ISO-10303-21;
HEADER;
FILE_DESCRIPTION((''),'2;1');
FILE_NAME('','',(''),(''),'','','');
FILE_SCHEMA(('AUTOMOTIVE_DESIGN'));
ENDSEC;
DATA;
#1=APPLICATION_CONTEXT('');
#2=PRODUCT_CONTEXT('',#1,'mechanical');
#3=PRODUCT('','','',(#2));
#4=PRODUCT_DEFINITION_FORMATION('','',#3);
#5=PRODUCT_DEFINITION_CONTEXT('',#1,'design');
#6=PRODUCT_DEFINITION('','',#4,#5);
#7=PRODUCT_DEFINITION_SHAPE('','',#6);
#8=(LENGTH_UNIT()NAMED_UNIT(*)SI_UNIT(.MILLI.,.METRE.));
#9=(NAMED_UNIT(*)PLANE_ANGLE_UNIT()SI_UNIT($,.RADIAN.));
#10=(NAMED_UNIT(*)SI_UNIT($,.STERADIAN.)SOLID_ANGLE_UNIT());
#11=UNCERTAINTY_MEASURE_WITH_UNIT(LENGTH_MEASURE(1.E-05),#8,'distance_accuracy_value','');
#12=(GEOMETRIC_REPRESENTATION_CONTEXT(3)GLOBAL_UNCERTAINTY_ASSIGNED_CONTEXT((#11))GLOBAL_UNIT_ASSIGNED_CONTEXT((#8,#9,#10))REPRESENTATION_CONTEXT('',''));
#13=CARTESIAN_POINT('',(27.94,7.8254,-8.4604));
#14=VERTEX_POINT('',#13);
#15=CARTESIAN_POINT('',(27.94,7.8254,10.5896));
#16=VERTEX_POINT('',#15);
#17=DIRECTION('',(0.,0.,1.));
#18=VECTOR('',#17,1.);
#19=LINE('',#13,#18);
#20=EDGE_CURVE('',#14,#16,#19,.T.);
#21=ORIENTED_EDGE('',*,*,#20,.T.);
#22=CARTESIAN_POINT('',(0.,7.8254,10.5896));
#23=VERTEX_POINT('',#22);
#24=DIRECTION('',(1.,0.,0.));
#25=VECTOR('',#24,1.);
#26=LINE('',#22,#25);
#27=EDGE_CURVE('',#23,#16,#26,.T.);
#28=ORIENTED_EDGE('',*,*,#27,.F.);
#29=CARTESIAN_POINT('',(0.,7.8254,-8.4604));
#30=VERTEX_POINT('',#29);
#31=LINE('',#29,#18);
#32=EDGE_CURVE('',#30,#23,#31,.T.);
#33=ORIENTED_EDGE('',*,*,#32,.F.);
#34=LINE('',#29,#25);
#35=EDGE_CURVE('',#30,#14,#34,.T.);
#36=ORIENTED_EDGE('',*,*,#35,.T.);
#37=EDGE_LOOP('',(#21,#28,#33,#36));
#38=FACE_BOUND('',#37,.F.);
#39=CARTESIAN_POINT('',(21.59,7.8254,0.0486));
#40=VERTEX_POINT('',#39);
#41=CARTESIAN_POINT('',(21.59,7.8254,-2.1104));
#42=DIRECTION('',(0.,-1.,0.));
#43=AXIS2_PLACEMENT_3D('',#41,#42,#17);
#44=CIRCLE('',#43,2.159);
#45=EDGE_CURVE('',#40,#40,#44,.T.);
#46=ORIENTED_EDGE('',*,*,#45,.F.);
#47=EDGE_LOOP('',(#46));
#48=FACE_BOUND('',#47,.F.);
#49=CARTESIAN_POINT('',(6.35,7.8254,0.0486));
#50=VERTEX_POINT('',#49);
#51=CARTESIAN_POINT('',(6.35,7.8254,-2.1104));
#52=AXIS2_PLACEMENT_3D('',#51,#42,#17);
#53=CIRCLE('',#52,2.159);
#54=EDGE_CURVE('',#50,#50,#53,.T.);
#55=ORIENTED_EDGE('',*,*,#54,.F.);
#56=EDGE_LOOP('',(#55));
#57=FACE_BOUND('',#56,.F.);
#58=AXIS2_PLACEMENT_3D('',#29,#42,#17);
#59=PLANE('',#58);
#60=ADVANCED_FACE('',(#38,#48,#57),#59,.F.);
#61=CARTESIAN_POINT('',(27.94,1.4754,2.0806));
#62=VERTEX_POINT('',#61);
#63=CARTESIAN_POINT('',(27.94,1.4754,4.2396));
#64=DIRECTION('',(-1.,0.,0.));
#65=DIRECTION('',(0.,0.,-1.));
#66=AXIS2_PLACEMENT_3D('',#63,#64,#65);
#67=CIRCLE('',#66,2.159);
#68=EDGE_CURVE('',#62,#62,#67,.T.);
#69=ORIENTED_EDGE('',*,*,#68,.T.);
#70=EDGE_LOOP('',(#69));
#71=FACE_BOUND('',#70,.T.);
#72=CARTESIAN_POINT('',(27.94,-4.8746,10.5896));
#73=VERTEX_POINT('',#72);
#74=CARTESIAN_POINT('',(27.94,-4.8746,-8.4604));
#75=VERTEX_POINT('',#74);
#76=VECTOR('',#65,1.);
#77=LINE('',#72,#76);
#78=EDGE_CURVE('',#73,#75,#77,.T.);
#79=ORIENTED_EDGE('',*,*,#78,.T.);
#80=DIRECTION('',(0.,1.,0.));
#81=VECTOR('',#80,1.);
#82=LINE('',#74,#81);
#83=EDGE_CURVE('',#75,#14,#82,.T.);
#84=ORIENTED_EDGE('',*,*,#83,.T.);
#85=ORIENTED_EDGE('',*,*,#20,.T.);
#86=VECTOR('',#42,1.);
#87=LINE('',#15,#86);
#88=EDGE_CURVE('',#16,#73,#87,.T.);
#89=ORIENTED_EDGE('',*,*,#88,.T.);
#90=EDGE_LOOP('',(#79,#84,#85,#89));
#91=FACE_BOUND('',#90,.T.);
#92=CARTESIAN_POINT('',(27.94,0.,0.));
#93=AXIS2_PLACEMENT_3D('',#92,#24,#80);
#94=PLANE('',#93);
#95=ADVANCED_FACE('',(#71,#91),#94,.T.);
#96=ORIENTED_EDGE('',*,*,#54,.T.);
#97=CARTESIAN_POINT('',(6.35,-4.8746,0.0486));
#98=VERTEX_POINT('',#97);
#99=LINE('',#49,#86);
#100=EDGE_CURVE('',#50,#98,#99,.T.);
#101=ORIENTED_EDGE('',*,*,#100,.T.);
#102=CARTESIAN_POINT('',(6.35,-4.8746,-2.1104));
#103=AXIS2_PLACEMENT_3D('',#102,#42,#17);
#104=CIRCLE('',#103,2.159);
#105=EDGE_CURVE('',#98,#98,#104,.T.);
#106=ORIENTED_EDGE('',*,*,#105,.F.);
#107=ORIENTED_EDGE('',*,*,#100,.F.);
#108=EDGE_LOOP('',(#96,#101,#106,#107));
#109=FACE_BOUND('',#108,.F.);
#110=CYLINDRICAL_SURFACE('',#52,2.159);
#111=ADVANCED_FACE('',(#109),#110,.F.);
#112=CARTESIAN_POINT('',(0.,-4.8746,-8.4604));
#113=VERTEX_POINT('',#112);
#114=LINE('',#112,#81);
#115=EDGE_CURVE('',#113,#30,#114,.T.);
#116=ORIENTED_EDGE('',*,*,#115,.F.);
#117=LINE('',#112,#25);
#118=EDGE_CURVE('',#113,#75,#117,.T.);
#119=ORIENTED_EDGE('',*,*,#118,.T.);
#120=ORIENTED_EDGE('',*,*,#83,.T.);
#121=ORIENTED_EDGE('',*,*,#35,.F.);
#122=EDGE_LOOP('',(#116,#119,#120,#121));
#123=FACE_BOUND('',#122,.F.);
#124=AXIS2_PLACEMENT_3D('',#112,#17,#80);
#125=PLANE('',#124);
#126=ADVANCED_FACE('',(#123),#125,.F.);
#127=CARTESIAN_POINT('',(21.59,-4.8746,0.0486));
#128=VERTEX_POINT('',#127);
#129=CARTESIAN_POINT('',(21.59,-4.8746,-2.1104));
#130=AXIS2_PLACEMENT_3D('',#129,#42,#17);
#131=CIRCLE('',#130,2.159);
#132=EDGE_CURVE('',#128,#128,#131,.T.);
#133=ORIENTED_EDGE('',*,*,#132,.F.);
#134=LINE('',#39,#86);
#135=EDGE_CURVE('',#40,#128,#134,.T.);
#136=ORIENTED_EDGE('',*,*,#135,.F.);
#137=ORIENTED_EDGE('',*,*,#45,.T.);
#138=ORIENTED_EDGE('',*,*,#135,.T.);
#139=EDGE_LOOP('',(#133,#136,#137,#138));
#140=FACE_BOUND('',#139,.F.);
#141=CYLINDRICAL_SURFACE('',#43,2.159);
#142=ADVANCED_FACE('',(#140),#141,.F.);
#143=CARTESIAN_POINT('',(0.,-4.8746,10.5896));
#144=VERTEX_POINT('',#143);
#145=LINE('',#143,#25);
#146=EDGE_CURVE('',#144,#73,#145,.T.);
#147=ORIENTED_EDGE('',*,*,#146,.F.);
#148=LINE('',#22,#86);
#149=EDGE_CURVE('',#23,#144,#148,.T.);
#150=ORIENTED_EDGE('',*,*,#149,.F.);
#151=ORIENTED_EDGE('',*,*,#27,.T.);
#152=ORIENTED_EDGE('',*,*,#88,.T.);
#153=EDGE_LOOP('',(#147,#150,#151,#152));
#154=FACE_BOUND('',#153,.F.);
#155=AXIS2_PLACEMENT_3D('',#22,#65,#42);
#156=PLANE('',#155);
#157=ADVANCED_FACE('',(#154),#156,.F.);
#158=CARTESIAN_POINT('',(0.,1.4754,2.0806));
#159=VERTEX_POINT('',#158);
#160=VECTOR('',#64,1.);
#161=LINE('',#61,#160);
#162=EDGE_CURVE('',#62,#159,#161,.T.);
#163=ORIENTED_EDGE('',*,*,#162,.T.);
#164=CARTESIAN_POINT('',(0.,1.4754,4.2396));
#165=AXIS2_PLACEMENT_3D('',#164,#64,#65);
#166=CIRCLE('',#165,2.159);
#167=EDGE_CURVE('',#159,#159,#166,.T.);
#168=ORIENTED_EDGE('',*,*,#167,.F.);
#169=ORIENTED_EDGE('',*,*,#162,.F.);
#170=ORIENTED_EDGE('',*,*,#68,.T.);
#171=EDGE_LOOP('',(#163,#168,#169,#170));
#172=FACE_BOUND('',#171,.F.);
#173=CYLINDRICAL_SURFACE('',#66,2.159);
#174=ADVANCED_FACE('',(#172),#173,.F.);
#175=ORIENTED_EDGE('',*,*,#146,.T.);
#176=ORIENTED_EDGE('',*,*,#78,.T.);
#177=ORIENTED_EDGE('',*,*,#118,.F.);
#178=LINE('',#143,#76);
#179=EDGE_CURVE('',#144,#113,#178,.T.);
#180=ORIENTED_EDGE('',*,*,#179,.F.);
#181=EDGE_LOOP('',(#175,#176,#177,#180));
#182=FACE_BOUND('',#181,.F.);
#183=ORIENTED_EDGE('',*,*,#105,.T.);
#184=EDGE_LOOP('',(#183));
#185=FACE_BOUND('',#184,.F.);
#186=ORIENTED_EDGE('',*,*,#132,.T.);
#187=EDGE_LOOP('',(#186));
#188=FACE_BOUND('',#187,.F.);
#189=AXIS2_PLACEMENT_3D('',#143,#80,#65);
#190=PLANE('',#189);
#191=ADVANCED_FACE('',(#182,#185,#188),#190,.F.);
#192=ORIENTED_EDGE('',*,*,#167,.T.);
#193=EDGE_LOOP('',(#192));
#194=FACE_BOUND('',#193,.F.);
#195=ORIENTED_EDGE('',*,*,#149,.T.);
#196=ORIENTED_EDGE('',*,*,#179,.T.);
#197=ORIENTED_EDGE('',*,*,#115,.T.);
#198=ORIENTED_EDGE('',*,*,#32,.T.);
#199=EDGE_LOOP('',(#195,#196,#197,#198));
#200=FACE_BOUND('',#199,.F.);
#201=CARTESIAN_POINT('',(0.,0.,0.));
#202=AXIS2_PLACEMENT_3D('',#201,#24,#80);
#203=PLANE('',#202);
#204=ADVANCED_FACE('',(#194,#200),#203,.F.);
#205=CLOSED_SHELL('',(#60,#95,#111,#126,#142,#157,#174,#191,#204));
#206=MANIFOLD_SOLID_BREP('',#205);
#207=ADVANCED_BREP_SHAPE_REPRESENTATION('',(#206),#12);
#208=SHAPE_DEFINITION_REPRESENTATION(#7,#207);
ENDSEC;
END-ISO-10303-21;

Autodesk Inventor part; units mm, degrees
ref_plane "YZ Plane" through (0, 0, 0) normal (1, 0, 0) x (0, 1, 0)
ref_plane "XZ Plane" through (0, 0, 0) normal (0, 1, 0) x (-1, 0, 0)
ref_plane "XY Plane" through (0, 0, 0) normal (0, 0, 1) x (1, 0, 0)
sketch "Sketch1" plane through (0, 0, 0) normal (1, 0, 0) x (0, 1, 0)
  line L0 (7.8254, 10.5896) -> (-4.8746, 10.5896)
  line L1 (-4.8746, 10.5896) -> (-4.8746, -8.4604)
  line L2 (-4.8746, -8.4604) -> (7.8254, -8.4604)
  line L3 (7.8254, -8.4604) -> (7.8254, 10.5896)
  point P0 (0, 0)
  dimension "d0" = 19.05
  dimension "d1" = 12.7
extrude "Extrusion1" add sketch "Sketch1" along normal blind 27.94
sketch "Sketch2" plane through (27.94, 0, 0) normal (1, 0, 0) x (0, 0, -1)
  line L0 (-10.5896, 7.8254) -> (-10.5896, -4.8746) projected
  line L1 (8.4604, 7.8254) -> (-10.5896, 7.8254) projected
  point P0 (0, 0)
  point P1 (-4.2396, 1.4754)
  dimension "d4" = 6.35
  dimension "d5" = 6.35
hole "Hole1" at (27.94, 1.4754, 4.2396) direction (-1, 0, 0) diameter 4.318 end through all
sketch "Sketch3" plane through (0, 7.8254, 10.5896) normal (0, 1, 0) x (1, 0, 0)
  line L0 (27.94, 19.05) -> (27.94, 0) projected
  line L1 (0, 19.05) -> (0, 0) projected
  line L2 (0, 19.05) -> (27.94, 19.05) projected
  point P0 (0, 10.5896)
  point P1 (6.35, 12.7)
  point P2 (21.59, 12.7)
  dimension "d13" = 6.35
  dimension "d14" = 6.35
  dimension "d15" = 6.35
  dimension "d16" = 0
hole "Hole2" at (6.35, 7.8254, -2.1104) at (21.59, 7.8254, -2.1104) direction (0, -1, 0) diameter 4.318 end through all
properties part number "MotorSpacerBlock"
